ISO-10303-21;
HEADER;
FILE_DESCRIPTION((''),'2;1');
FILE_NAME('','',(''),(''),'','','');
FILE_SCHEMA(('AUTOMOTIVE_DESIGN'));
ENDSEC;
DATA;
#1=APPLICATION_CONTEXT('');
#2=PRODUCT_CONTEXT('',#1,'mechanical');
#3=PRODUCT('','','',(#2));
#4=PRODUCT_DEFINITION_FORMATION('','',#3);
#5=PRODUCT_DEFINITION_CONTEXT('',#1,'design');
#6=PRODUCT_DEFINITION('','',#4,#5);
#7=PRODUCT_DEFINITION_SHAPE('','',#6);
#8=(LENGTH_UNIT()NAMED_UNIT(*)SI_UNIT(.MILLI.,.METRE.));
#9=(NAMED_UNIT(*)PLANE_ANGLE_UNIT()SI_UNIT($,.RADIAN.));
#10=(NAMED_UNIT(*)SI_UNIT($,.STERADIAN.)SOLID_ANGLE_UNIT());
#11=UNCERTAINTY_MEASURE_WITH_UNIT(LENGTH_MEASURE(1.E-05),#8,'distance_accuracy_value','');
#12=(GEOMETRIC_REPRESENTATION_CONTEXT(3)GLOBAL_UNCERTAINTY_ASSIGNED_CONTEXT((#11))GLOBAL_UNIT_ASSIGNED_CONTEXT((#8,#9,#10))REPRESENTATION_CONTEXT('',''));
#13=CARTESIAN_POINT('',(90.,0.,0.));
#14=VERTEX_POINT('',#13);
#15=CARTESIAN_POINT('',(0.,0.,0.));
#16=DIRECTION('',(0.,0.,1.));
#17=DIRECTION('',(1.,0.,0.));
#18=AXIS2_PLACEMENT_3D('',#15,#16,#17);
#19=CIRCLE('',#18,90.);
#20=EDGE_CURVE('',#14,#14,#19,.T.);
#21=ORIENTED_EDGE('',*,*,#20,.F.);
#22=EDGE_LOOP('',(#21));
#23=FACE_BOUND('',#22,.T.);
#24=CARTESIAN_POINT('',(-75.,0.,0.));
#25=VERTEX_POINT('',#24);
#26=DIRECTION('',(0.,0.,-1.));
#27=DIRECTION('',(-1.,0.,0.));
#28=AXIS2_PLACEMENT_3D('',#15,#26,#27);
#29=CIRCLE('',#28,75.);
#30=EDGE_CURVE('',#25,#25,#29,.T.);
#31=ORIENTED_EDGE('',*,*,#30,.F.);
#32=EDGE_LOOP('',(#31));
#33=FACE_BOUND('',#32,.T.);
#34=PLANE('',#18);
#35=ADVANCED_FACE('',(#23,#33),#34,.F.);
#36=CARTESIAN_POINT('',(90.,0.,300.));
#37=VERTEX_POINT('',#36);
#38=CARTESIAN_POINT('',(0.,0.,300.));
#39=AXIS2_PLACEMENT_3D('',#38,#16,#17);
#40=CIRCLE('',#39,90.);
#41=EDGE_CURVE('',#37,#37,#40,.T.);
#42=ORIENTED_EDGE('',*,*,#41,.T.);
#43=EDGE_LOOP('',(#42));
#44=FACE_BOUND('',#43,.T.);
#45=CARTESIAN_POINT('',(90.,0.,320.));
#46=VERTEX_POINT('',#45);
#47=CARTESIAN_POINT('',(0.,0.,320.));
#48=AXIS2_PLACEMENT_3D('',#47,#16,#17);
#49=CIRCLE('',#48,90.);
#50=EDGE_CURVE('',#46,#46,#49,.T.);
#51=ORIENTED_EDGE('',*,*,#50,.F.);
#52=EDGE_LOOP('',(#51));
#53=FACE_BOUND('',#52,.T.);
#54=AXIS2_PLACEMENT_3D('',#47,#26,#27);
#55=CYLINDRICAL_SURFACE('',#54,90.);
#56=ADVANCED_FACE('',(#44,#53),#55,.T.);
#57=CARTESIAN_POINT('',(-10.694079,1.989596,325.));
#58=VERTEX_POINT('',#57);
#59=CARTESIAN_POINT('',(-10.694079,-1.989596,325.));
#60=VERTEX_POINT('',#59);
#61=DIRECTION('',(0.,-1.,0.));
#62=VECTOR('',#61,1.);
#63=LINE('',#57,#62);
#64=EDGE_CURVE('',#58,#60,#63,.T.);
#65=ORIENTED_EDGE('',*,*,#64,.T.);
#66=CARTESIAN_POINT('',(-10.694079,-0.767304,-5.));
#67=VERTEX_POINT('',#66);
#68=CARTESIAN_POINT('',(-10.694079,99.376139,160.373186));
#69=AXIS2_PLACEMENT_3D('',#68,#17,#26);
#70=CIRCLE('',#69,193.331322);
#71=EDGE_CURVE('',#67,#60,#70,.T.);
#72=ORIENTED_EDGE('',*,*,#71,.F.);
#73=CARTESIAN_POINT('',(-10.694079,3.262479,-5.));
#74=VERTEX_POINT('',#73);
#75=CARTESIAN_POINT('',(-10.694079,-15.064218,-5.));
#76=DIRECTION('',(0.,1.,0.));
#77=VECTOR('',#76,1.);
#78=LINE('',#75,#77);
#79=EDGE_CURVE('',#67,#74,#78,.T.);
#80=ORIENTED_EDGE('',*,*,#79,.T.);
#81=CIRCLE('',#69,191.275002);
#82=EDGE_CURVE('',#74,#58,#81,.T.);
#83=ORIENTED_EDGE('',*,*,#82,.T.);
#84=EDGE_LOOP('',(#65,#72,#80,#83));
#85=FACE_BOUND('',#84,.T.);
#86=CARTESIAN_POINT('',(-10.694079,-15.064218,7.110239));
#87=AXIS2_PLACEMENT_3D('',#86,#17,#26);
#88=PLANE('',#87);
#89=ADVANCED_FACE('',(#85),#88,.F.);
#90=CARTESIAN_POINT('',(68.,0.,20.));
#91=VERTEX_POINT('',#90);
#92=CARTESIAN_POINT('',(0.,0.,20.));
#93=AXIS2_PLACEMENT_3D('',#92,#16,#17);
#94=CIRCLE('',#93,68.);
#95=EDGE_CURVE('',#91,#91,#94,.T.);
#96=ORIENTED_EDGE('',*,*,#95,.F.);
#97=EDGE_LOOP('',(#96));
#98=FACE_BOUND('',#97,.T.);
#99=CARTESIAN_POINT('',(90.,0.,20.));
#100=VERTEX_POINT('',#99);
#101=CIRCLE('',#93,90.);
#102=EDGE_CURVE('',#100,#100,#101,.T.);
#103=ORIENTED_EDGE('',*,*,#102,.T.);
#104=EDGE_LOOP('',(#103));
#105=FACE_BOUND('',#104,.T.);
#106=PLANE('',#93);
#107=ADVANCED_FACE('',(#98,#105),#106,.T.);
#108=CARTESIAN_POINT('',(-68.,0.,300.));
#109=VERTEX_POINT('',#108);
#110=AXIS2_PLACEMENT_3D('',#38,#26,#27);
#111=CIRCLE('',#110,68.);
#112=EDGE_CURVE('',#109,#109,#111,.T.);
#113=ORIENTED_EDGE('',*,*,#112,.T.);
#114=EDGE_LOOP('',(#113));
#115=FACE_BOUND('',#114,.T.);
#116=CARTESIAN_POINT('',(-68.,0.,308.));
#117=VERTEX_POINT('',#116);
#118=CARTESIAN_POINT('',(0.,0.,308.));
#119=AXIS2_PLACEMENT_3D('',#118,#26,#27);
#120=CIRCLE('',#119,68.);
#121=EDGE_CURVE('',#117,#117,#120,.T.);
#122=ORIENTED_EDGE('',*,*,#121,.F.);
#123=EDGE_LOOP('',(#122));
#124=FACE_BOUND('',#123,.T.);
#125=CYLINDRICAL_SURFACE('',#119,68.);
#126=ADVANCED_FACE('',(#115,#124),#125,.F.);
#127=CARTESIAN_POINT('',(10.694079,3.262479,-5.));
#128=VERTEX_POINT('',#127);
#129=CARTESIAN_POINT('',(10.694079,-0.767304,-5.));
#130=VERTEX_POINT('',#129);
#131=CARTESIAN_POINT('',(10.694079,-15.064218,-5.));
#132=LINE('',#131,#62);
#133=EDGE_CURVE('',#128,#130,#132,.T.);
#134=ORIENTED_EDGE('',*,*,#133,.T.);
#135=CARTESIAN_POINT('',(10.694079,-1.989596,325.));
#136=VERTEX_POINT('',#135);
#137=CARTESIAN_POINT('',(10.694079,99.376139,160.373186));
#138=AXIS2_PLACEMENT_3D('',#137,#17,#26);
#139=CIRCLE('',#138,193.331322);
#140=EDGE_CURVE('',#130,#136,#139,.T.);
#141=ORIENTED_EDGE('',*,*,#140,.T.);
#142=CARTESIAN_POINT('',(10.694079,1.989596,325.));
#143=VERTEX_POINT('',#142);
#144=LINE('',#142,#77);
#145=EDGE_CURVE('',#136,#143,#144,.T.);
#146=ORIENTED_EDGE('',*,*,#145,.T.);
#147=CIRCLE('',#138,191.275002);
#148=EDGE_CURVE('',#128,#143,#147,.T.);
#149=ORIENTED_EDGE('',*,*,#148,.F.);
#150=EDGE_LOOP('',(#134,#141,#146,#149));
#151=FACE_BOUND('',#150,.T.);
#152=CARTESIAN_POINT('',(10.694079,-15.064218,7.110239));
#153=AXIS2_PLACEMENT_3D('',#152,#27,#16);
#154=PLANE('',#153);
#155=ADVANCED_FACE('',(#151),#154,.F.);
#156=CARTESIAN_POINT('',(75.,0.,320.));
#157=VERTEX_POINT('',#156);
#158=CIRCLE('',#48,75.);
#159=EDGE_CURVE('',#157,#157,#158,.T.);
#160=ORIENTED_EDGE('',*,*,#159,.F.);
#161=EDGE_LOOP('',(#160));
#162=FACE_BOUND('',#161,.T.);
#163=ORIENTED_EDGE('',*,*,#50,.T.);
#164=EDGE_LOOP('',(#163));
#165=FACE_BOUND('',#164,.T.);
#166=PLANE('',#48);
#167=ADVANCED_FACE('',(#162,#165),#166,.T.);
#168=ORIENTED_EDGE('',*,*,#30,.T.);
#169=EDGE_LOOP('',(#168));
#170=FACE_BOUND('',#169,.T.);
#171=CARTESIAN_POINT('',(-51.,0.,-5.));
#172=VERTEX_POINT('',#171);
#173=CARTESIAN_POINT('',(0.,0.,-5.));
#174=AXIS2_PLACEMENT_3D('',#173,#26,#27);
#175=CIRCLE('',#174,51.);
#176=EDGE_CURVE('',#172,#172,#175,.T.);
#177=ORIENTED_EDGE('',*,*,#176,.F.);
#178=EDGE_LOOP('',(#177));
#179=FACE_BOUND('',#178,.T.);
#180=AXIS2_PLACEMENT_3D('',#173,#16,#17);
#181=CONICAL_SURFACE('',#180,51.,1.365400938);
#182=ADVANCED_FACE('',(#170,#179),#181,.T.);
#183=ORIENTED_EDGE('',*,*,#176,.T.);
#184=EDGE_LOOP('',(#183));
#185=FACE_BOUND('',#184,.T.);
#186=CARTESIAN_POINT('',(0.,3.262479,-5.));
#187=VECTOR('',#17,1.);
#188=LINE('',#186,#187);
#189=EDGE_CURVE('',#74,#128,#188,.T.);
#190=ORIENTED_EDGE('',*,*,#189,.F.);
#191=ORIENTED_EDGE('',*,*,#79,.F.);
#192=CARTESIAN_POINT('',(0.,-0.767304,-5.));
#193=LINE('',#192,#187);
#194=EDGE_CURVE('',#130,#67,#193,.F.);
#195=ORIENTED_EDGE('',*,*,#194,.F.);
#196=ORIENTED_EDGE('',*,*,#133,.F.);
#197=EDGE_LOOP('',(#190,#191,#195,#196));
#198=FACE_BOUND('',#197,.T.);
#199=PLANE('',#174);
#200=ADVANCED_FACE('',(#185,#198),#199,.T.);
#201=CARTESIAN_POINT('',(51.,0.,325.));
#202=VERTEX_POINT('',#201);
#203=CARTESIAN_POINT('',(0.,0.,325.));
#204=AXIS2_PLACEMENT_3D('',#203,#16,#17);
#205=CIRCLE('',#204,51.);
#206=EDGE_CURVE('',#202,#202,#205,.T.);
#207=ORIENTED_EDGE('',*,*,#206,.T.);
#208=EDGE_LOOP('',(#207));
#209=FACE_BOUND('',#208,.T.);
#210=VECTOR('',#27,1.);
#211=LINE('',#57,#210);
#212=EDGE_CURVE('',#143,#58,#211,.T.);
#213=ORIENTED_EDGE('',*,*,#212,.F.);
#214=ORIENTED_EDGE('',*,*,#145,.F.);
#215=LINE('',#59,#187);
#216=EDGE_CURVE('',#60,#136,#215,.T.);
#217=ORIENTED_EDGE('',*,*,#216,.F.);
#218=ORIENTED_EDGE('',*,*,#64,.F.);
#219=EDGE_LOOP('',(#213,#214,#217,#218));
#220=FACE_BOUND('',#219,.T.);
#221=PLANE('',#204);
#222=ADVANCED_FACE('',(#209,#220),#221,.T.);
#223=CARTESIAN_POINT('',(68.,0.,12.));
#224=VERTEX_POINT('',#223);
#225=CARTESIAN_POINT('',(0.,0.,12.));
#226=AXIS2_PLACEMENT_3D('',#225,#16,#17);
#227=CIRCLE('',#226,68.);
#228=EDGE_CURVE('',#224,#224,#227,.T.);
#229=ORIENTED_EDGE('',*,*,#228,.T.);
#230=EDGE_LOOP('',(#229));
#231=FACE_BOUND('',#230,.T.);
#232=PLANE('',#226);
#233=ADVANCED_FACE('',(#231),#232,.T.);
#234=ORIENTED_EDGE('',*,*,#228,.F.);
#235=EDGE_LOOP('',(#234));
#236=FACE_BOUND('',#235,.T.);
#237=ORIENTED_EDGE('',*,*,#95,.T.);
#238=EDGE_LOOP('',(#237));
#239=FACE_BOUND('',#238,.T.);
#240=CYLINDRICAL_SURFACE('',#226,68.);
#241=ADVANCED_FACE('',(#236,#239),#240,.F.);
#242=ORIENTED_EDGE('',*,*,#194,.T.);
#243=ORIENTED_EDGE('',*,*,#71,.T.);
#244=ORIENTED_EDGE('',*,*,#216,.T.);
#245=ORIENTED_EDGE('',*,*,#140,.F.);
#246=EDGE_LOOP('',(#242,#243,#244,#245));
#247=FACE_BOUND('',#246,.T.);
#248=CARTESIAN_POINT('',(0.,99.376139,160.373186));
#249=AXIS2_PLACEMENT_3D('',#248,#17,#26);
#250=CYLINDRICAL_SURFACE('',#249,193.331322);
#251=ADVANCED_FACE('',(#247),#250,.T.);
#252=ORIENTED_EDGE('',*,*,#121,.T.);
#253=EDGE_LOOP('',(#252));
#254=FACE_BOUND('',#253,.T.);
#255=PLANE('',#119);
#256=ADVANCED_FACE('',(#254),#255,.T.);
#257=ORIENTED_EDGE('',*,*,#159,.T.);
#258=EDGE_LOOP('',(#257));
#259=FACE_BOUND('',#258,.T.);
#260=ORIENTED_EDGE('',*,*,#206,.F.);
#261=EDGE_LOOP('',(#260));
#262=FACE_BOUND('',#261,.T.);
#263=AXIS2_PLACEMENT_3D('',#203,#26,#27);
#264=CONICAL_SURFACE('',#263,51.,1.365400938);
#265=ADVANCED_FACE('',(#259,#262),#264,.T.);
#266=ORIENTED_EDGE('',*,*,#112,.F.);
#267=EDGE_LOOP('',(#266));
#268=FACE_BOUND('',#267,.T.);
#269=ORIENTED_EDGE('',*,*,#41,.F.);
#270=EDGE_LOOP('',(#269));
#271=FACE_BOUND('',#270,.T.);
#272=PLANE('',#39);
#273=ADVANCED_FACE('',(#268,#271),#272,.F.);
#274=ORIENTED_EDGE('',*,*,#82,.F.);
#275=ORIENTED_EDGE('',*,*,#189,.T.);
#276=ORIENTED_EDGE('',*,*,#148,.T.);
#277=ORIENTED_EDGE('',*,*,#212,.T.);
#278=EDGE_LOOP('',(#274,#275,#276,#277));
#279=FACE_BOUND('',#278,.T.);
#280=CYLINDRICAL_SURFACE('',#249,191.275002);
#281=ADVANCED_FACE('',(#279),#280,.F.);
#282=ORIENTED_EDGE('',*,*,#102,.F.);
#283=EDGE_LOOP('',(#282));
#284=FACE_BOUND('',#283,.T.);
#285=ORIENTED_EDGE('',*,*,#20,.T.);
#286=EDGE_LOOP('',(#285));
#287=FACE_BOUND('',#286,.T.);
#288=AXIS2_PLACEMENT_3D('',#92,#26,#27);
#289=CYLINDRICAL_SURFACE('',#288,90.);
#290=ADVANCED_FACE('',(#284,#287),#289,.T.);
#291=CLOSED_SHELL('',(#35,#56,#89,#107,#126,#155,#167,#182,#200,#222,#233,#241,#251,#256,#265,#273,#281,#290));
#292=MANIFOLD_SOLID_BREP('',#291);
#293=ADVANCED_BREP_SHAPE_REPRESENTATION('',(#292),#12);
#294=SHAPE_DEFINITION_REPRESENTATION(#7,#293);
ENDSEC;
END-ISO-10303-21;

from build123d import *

# Parameters (mm, degrees)
SKETCH_1_R          = 90
EXTRUDE_1_DEPTH     = 20
SKETCH_2_R          = 90
EXTRUDE_2_DEPTH     = 20
SKETCH_3_R          = 68
CUT_EXTRUDE_1_DEPTH = 8
SKETCH_4_R          = 68
CUT_EXTRUDE_2_DEPTH = 8
SKETCH_5_R          = 75
SKETCH_7_R          = 51
SKETCH_8_R          = 75
SKETCH_9_R          = 51
SKETCH_11_W         = 21.388157758
SKETCH_11_H         = 3.979192142


with BuildPart() as part:
    # 草图1 → 凸台-拉伸1 (new body)
    with BuildSketch(Plane.XY):
        Circle(SKETCH_1_R)
    extrude(amount=EXTRUDE_1_DEPTH)

    # 草图4 → 切除-拉伸2 (cut)
    with BuildSketch(Plane.XY.offset(20)):
        with Locations(Location((0, 0, 0), (0, 0, 180))):
            Circle(SKETCH_4_R)
    extrude(amount=-CUT_EXTRUDE_2_DEPTH, mode=Mode.SUBTRACT)

    # 草图8 → 放样2 section 0
    with BuildSketch(Plane(origin=(0, 0, 0), x_dir=(-1, 0, 0), z_dir=(0, 0, -1))):
        Circle(SKETCH_8_R)
    # 草图9 → 放样2 section 1
    with BuildSketch(Plane(origin=(0, 0, -5), x_dir=(-1, 0, 0), z_dir=(0, 0, -1))):
        Circle(SKETCH_9_R)
    loft()



with BuildPart() as body_2:
    # 草图2 → 凸台-拉伸2 (new body)
    with BuildSketch(Plane.XY.offset(300)):
        Circle(SKETCH_2_R)
    extrude(amount=EXTRUDE_2_DEPTH)

    # 草图3 → 切除-拉伸1 (cut)
    with BuildSketch(Plane(origin=(0, 0, 300), x_dir=(-1, 0, 0), z_dir=(0, 0, -1))):
        Circle(SKETCH_3_R)
    extrude(amount=-CUT_EXTRUDE_1_DEPTH, mode=Mode.SUBTRACT)

    # 草图5 → 放样1 section 0
    with BuildSketch(Plane.XY.offset(320)):
        Circle(SKETCH_5_R)
    # 草图7 → 放样1 section 1
    with BuildSketch(Plane.XY.offset(325)):
        Circle(SKETCH_7_R)
    loft()


with BuildPart() as part_1:
    add(part.part)

    add(body_2.part)  # 扫描1 merges body 2
    # 扫描1: sweep along a path in 草图14
    with BuildLine(Plane(origin=(0, 0, 0), x_dir=(0, 0, -1), z_dir=(1, 0, 0))) as sweep_1_path:
        ThreePointArc((-5.541455061, -14.409759427), (-160.373186446, 291.522166595), (-315.20491783, -14.409759427))
    # 草图11 → 扫描1 (sweep)
    with BuildSketch(Plane.XY.offset(325)):
        Rectangle(SKETCH_11_W, SKETCH_11_H)
    sweep(path=sweep_1_path.line)


solid = part_1.part
